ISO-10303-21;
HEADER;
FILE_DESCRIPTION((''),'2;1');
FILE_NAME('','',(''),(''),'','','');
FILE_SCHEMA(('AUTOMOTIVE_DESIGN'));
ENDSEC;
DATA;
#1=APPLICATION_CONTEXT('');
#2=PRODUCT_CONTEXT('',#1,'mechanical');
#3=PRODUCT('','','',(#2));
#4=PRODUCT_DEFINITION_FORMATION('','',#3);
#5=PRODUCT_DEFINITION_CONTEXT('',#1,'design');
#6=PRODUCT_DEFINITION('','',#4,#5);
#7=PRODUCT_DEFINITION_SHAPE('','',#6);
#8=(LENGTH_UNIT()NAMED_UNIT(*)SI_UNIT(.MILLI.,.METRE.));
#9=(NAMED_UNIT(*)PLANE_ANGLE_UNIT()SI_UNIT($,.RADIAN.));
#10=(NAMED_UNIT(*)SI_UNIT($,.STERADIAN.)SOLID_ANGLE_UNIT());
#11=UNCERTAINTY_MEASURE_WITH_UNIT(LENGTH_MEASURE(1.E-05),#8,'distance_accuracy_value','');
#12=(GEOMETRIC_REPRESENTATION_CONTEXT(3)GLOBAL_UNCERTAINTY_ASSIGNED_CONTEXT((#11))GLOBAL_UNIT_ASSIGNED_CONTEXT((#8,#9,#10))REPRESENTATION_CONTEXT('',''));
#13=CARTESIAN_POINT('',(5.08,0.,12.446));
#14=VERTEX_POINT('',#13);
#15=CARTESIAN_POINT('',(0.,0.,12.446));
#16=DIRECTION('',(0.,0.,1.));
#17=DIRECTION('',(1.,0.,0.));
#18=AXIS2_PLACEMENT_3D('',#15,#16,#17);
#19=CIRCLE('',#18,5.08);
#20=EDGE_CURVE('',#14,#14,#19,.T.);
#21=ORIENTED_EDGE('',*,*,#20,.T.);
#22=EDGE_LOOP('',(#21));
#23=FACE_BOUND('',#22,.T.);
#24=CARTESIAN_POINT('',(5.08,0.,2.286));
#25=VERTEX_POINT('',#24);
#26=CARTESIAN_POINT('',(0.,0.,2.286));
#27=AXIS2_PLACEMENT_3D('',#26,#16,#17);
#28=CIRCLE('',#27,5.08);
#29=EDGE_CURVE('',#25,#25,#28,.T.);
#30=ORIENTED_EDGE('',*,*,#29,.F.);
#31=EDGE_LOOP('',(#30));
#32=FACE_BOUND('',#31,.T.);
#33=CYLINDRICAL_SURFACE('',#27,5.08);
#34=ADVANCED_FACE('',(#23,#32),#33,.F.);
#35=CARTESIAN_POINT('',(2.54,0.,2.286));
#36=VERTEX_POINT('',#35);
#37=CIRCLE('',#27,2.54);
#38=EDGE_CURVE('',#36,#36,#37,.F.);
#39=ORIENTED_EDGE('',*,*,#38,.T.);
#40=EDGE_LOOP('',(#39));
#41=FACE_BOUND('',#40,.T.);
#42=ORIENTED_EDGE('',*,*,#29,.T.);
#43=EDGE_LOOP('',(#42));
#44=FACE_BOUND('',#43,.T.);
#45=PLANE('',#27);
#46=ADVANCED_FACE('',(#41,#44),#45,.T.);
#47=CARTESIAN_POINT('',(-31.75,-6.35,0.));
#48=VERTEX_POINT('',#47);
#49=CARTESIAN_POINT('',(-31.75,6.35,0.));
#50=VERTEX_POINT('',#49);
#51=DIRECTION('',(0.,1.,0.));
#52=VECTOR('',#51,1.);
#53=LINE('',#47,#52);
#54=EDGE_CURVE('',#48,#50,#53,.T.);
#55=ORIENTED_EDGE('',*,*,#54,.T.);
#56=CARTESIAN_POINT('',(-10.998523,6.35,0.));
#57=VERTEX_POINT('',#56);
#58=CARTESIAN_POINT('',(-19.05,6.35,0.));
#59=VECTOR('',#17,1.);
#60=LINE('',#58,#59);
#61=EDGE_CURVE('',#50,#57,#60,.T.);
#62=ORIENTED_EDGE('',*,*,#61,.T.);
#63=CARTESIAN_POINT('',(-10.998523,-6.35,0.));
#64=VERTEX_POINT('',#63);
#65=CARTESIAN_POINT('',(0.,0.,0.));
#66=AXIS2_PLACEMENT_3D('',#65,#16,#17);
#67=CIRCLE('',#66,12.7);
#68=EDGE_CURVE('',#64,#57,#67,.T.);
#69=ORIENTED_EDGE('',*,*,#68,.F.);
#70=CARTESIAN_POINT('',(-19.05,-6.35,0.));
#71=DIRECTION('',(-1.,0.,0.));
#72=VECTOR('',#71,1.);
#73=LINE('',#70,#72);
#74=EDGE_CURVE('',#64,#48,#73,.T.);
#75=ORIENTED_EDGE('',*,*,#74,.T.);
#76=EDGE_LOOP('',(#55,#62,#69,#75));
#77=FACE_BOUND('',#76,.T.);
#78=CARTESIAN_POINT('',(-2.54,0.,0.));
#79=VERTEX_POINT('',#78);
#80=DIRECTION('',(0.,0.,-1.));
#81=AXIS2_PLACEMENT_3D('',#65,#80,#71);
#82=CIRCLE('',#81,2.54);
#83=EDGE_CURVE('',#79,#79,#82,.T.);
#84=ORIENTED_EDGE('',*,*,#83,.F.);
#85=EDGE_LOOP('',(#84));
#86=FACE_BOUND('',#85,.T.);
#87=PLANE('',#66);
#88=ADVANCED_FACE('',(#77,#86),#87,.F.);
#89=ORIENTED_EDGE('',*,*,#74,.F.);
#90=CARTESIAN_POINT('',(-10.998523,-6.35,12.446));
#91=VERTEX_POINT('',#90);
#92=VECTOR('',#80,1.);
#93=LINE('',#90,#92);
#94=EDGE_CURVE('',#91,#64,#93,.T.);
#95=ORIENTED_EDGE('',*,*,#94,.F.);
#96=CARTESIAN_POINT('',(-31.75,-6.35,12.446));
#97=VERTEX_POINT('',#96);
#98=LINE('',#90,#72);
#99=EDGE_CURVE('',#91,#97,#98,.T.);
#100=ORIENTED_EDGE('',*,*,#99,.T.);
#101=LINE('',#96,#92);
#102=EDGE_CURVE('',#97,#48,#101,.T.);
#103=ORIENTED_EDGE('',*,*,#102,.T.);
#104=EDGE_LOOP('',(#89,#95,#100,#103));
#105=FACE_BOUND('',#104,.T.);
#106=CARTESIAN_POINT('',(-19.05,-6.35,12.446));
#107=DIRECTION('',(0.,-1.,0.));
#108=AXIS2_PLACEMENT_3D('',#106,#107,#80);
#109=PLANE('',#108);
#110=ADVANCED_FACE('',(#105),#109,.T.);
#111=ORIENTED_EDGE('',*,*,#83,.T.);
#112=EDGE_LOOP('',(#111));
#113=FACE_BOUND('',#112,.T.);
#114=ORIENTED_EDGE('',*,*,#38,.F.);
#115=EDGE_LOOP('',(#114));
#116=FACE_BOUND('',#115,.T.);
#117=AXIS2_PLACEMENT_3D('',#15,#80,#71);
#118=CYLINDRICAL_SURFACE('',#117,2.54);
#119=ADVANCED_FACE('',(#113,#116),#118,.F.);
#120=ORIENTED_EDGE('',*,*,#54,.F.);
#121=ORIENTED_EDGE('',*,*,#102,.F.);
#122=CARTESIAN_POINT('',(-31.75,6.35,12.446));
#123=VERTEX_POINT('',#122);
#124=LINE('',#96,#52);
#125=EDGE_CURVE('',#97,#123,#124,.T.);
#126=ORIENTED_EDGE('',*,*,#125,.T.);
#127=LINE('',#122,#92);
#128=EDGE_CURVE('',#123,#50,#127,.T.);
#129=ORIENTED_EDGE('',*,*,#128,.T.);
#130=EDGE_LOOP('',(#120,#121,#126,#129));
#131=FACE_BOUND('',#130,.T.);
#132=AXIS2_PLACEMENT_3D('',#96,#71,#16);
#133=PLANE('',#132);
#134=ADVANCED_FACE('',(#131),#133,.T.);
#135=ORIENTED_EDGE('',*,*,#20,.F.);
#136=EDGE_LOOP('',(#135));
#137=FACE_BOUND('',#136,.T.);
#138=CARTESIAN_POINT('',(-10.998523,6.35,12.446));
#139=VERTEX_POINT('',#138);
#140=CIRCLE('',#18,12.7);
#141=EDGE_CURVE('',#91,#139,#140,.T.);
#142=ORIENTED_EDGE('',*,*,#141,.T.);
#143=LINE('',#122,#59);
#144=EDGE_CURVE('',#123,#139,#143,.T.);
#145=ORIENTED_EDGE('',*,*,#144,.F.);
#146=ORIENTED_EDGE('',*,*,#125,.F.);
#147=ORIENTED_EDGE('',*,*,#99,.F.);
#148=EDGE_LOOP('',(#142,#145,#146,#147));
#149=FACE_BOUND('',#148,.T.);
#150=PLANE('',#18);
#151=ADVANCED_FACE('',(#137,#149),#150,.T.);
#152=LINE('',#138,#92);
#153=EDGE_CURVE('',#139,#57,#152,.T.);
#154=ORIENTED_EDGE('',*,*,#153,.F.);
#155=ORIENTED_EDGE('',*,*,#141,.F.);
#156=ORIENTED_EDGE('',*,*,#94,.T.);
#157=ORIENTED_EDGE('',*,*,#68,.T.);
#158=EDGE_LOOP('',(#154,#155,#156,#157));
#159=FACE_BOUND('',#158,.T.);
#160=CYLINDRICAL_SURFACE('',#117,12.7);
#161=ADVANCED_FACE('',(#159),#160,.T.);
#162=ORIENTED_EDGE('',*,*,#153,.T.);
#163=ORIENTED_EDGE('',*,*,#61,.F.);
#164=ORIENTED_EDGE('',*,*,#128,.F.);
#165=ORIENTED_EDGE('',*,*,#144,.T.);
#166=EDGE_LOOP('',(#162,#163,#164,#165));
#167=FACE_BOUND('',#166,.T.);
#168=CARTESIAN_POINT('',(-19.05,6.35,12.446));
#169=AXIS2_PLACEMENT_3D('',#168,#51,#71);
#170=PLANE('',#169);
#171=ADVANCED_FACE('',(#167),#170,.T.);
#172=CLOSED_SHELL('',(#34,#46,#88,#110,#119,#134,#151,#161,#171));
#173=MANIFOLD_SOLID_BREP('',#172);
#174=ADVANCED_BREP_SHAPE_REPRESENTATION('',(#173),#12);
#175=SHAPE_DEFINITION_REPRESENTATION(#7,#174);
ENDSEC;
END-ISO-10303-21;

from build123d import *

# Parameters (mm, degrees)
BOSS_EXTRUDE2_DEPTH = 12.446
SKETCH4_R           = 2.54
CUT_EXTRUDE1_DEPTH  = 13.446
SKETCH5_R           = 5.08
CUT_EXTRUDE2_DEPTH  = 10.16


with BuildPart() as part:
    # Sketch3 → Boss-Extrude2 (new body)
    with BuildSketch(Plane.XY):
        with BuildLine():
            Line((-10.998522628, -6.35), (-19.05, -6.35))
            Line((-19.05, -6.35), (-31.75, -6.35))
            Line((-31.75, -6.35), (-31.75, 6.35))
            Line((-31.75, 6.35), (-19.05, 6.35))
            Line((-19.05, 6.35), (-10.998522628, 6.35))
            ThreePointArc((-10.998522628, 6.35), (12.7, 0), (-10.998522628, -6.35))
        make_face()
    extrude(amount=BOSS_EXTRUDE2_DEPTH)

    # Sketch4 → Cut-Extrude1 (cut, through all)
    with BuildSketch(Plane(origin=(0, 0, 0), x_dir=(-1, 0, 0), z_dir=(0, 0, -1))):
        Circle(SKETCH4_R)
    extrude(amount=-CUT_EXTRUDE1_DEPTH, mode=Mode.SUBTRACT)

    # Sketch5 → Cut-Extrude2 (cut)
    with BuildSketch(Plane.XY.offset(12.446)):
        Circle(SKETCH5_R)
    extrude(amount=-CUT_EXTRUDE2_DEPTH, mode=Mode.SUBTRACT)


solid = part.part
